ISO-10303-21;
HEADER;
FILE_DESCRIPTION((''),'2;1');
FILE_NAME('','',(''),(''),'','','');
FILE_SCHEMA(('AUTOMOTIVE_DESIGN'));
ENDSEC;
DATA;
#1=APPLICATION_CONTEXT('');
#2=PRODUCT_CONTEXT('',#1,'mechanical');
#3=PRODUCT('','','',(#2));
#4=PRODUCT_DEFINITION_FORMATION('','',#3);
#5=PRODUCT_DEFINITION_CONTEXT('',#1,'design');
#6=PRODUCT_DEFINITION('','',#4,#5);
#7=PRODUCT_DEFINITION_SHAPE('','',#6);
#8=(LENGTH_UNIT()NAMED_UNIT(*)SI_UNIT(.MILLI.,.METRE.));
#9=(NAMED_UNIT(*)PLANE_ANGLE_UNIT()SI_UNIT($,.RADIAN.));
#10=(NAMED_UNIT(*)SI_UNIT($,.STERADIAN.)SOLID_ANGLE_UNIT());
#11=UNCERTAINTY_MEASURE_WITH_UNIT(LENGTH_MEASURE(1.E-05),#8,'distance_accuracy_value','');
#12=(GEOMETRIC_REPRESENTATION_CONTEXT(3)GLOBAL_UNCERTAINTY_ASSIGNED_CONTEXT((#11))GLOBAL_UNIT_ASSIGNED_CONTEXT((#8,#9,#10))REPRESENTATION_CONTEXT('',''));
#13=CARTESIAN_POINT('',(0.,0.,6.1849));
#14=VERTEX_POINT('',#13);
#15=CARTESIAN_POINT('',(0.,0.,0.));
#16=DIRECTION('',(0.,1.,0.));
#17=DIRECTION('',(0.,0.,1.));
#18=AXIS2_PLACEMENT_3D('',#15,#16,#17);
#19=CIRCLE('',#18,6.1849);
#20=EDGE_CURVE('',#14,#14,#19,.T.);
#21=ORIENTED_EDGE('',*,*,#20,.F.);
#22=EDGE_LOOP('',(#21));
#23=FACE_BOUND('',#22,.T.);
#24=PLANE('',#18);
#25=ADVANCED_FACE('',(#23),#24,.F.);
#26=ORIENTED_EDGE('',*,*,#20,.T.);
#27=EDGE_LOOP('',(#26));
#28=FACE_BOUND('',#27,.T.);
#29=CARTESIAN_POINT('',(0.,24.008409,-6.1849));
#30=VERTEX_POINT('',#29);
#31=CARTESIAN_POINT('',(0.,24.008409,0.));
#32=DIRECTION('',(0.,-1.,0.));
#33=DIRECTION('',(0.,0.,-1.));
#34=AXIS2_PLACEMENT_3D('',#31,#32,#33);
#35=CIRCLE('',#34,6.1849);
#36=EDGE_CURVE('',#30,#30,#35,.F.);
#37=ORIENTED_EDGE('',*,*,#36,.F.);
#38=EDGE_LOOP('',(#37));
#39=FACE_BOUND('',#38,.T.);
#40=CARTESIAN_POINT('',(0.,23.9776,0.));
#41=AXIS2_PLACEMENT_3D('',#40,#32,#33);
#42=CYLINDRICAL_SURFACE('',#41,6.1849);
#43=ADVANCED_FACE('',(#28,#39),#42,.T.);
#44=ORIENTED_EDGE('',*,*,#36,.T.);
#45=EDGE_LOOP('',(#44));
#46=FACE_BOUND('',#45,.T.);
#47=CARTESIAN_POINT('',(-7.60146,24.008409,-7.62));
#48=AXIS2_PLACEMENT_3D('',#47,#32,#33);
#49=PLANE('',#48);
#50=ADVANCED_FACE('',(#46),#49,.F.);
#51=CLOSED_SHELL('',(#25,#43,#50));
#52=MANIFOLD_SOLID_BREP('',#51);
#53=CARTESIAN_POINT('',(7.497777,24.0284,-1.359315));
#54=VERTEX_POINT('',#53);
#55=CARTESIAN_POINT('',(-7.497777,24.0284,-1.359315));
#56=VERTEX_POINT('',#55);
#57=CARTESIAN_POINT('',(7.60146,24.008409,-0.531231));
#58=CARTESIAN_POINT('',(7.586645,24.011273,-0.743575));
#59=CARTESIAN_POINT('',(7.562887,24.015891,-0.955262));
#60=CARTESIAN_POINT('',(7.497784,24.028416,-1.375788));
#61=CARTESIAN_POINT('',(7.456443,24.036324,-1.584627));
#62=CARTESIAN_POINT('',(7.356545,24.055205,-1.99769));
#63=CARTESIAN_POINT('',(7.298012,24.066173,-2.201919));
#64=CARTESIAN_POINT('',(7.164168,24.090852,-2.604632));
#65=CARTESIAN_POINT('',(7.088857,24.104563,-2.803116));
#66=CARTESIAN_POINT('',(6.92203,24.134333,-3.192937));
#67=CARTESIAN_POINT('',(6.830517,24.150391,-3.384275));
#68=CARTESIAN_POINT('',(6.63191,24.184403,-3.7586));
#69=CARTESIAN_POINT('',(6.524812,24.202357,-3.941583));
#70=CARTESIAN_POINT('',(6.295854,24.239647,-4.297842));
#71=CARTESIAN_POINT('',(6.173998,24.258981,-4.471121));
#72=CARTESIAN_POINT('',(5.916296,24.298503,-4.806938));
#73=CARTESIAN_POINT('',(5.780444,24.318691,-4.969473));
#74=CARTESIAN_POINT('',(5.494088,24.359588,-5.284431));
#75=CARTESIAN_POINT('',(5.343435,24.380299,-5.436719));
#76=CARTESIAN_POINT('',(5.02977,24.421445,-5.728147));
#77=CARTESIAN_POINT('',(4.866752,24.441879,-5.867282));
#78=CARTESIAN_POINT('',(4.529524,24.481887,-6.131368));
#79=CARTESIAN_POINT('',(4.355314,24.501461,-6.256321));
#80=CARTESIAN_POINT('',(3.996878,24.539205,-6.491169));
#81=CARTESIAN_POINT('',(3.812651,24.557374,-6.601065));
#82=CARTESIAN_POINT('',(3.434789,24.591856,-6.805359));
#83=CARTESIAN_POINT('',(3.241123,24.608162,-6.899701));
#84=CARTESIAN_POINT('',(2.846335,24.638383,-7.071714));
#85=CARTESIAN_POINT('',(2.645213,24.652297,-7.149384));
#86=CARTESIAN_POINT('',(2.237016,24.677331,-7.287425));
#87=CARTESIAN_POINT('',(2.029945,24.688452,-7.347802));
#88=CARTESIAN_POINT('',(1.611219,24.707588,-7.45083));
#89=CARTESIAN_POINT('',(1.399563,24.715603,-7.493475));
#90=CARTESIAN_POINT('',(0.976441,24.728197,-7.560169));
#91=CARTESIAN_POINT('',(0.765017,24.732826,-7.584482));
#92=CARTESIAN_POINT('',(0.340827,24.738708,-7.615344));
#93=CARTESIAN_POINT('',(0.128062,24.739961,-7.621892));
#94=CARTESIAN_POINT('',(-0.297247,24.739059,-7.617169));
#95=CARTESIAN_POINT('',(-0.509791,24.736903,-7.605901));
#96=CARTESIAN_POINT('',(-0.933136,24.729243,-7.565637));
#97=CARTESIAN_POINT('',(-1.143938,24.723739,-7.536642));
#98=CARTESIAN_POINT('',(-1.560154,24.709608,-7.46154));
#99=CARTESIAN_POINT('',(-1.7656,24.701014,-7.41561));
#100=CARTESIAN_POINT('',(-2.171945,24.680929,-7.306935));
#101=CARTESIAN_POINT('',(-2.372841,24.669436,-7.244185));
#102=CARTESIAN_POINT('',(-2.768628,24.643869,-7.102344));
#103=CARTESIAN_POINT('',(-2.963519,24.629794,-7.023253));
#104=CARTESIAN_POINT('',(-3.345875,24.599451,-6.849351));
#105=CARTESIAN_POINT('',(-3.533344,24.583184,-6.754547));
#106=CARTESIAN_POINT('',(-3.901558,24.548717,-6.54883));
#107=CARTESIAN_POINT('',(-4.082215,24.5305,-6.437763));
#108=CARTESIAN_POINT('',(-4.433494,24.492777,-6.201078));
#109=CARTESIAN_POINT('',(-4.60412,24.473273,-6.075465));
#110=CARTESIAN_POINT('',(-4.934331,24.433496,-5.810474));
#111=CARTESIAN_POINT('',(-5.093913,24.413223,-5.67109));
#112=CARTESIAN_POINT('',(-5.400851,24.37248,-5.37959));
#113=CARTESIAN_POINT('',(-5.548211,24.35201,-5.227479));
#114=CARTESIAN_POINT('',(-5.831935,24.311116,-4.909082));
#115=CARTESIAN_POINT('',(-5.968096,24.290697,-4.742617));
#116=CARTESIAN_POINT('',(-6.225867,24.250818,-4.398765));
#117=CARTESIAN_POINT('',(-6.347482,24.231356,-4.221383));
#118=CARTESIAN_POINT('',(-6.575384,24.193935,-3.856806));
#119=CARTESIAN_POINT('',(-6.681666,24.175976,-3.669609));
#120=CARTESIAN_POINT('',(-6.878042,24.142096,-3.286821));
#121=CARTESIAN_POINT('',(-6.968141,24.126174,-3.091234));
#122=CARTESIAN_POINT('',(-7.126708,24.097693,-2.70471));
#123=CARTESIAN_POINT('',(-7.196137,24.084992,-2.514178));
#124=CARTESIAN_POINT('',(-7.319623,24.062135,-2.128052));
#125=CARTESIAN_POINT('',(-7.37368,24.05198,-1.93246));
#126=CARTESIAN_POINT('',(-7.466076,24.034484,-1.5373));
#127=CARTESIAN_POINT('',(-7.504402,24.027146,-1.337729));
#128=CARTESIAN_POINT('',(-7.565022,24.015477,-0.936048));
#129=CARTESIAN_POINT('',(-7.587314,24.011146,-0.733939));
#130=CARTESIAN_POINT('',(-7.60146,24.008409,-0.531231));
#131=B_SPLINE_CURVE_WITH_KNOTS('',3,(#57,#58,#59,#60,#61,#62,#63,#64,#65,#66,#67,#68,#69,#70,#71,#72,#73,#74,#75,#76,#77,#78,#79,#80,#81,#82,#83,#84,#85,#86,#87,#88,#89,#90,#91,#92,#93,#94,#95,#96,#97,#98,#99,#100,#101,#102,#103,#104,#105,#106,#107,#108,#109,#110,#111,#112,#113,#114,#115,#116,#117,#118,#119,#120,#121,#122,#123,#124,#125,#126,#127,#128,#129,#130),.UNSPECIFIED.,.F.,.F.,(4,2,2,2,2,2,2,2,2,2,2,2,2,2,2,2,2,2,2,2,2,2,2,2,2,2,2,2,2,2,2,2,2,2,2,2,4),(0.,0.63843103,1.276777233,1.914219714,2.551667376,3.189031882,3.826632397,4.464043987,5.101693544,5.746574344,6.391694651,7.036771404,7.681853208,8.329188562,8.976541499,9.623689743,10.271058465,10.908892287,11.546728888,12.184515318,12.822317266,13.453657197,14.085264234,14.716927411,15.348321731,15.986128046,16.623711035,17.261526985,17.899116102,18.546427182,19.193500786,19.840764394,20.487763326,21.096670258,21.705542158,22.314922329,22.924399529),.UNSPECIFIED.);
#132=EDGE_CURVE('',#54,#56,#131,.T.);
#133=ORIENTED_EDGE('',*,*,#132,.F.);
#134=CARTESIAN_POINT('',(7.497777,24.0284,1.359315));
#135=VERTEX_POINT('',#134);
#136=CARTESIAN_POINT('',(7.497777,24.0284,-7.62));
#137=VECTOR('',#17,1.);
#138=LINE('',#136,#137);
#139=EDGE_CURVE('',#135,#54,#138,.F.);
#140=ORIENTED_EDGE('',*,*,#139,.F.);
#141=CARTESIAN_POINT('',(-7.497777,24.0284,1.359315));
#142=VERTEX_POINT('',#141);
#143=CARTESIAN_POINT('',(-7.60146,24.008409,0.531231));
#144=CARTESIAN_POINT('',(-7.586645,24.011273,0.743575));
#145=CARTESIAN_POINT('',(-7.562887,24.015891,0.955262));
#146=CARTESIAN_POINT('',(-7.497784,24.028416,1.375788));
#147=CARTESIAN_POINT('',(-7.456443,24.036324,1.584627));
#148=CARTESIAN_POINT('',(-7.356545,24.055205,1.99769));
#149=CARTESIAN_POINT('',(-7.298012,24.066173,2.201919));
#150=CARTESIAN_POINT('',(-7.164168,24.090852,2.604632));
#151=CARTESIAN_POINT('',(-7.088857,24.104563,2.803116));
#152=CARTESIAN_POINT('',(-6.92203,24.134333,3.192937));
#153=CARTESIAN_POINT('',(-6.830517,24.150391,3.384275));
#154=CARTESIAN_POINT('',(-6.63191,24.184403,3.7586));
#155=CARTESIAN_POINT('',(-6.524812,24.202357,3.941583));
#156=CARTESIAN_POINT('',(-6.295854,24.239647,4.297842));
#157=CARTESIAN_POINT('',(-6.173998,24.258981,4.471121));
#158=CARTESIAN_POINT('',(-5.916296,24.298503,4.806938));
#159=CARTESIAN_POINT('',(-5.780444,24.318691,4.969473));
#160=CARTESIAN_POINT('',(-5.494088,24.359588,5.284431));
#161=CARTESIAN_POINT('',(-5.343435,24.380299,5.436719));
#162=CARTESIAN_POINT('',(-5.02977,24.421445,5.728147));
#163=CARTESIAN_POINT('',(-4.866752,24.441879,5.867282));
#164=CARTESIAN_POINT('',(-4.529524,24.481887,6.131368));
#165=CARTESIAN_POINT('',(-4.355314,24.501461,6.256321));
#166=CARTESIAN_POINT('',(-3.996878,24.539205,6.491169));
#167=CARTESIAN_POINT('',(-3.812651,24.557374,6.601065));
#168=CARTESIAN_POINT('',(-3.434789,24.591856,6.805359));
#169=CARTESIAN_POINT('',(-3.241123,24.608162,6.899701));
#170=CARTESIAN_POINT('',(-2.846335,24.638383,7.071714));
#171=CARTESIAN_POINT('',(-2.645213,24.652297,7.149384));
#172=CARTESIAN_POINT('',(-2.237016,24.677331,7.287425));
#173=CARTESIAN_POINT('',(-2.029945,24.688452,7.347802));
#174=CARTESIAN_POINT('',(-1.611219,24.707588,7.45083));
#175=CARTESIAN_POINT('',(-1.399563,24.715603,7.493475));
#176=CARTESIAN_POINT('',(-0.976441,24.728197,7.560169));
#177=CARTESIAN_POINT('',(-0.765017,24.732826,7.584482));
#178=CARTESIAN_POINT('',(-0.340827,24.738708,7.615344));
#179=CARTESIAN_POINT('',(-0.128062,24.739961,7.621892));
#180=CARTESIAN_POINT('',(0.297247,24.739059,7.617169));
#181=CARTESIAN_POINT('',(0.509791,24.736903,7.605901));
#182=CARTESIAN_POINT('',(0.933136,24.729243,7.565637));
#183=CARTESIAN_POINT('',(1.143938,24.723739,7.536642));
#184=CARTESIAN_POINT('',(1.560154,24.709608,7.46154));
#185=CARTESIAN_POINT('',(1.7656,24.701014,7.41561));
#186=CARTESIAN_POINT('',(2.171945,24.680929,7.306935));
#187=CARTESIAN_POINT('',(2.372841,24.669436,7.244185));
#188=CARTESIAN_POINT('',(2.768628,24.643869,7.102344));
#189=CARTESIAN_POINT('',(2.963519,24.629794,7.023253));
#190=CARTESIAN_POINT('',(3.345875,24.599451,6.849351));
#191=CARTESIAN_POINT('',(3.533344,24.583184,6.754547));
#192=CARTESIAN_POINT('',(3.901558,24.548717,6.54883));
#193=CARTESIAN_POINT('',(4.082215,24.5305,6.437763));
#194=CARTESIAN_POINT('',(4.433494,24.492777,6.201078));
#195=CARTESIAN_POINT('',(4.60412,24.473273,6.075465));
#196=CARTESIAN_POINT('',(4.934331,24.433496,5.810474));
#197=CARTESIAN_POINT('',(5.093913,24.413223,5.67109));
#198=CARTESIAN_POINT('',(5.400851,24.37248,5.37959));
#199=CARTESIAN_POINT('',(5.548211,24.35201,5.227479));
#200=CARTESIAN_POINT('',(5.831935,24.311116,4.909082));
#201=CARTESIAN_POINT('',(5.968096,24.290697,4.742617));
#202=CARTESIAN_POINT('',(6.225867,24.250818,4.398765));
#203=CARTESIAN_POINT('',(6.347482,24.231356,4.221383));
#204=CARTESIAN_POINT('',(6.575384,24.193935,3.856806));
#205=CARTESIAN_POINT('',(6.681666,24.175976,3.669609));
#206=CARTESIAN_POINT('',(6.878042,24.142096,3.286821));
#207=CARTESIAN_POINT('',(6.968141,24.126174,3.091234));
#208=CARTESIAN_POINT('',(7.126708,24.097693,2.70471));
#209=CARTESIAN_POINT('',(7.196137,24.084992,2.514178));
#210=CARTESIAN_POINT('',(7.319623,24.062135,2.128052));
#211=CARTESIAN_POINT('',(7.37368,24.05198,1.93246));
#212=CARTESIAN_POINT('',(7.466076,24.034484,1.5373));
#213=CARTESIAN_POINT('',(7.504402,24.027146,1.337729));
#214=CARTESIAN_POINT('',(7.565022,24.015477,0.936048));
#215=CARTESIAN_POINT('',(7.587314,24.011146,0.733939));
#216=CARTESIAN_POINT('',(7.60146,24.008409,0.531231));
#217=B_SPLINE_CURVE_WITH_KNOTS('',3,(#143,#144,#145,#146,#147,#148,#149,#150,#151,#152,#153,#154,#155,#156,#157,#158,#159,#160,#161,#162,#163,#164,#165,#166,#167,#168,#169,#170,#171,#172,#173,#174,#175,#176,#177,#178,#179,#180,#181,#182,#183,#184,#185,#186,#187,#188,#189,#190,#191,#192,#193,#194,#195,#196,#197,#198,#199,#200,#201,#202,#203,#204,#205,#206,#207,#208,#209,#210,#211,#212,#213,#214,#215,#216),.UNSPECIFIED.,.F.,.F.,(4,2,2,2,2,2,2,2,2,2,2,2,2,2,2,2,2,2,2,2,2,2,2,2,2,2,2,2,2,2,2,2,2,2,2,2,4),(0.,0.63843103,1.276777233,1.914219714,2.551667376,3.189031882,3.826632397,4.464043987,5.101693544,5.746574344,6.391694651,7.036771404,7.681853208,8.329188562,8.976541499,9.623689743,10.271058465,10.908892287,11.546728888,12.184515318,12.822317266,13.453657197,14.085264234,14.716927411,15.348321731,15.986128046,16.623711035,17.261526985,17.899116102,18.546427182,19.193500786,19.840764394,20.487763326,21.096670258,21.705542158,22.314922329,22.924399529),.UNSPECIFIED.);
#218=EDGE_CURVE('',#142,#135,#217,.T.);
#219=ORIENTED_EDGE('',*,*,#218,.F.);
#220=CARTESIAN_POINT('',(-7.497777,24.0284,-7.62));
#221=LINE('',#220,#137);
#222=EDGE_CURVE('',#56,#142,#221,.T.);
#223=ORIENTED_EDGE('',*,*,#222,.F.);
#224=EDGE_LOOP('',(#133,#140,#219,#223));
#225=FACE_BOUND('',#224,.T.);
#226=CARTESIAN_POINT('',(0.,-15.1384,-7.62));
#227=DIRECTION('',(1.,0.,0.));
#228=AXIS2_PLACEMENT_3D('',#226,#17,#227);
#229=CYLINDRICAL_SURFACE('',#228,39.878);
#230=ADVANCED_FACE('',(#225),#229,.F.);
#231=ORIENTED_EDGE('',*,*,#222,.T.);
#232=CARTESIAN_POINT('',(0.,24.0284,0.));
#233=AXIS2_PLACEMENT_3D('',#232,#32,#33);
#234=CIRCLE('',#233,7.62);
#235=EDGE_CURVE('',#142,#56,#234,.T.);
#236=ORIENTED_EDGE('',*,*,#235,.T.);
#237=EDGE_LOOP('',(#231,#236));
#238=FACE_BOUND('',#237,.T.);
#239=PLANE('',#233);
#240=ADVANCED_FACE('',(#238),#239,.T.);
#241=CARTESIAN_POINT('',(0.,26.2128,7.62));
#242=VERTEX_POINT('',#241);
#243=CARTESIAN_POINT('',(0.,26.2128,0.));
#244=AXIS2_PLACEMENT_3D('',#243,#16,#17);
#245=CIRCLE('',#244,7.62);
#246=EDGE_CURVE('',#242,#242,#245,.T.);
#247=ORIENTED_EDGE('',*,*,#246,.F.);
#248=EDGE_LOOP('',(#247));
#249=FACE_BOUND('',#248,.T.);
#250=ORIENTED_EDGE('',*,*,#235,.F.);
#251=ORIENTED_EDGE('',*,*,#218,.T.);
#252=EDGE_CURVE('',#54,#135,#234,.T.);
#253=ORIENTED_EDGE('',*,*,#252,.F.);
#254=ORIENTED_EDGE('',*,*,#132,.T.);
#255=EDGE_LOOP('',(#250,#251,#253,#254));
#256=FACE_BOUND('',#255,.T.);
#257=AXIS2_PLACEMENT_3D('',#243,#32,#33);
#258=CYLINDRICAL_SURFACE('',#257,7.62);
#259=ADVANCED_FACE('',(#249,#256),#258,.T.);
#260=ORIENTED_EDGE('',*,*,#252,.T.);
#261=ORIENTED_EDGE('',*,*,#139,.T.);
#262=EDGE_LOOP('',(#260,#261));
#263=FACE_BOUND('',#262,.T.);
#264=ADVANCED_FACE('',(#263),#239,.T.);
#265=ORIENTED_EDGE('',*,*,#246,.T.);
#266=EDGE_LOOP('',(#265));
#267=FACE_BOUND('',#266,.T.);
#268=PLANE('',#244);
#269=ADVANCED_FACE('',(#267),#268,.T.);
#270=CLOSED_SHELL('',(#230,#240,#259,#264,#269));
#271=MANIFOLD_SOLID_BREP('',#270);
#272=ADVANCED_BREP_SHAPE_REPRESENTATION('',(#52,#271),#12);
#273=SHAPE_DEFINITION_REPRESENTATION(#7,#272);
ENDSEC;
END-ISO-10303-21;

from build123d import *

# Parameters (mm, degrees)
SKETCH1_R               = 6.1849
BOSS_EXTRUDE1_DEPTH     = 23.9776
SKETCH2_R               = 7.62
BOSS_EXTRUDE2_DEPTH     = 2.2352
SKETCH4_R               = 7.62
SKETCH4_R_2             = 6.1849
CUT_EXTRUDE2_DEPTH      = 24.9776
CUT_EXTRUDE2_DEPTH_BACK = 0.0254
CUT_EXTRUDE3_DEPTH      = 8.62
CUT_EXTRUDE3_DEPTH_BACK = 8.62
SKETCH9_R               = 7.62
SKETCH9_R_2             = 6.1849
CUT_EXTRUDE4_DEPTH      = 25.003
CUT_EXTRUDE4_DEPTH_BACK = 0.0254


with BuildPart() as part:
    # Sketch1 → Boss-Extrude1 (new body)
    with BuildSketch(Plane(origin=(0, 0, 0), x_dir=(1, 0, 0), z_dir=(0, 1, 0))):
        Circle(SKETCH1_R)
    extrude(amount=BOSS_EXTRUDE1_DEPTH)

    # Sketch2 → Boss-Extrude2 (add)
    with BuildSketch(Plane(origin=(0, 23.9776, 0), x_dir=(1, 0, 0), z_dir=(0, 1, 0))):
        Circle(SKETCH2_R)
    extrude(amount=BOSS_EXTRUDE2_DEPTH)

    # Sketch4 → Cut-Extrude2 (cut, two sides)
    with BuildSketch(Plane.XZ.offset(-23.9776)) as cut_extrude2_sk:
        Circle(SKETCH4_R)
        Circle(SKETCH4_R_2, mode=Mode.SUBTRACT)
    extrude(amount=CUT_EXTRUDE2_DEPTH, mode=Mode.SUBTRACT)
    extrude(cut_extrude2_sk.sketch, amount=-CUT_EXTRUDE2_DEPTH_BACK, mode=Mode.SUBTRACT)

    # Sketch8 → Cut-Extrude3 (cut, two sides)
    with BuildSketch(Plane.XY) as cut_extrude3_sk:
        with BuildLine():
            Line((-7.601459966, 24.008409454), (7.601459966, 24.008409454))
            ThreePointArc((7.601459966, 24.008409454), (0, 24.7396), (-7.601459966, 24.008409454))
        make_face()
    extrude(amount=CUT_EXTRUDE3_DEPTH, mode=Mode.SUBTRACT)
    extrude(cut_extrude3_sk.sketch, amount=-CUT_EXTRUDE3_DEPTH_BACK, mode=Mode.SUBTRACT)

    # Sketch9 → Cut-Extrude4 (cut, two sides)
    with BuildSketch(Plane.XZ.offset(-24.003)) as cut_extrude4_sk:
        Circle(SKETCH9_R)
        Circle(SKETCH9_R_2, mode=Mode.SUBTRACT)
    extrude(amount=CUT_EXTRUDE4_DEPTH, mode=Mode.SUBTRACT)
    extrude(cut_extrude4_sk.sketch, amount=-CUT_EXTRUDE4_DEPTH_BACK, mode=Mode.SUBTRACT)


solid = part.part
